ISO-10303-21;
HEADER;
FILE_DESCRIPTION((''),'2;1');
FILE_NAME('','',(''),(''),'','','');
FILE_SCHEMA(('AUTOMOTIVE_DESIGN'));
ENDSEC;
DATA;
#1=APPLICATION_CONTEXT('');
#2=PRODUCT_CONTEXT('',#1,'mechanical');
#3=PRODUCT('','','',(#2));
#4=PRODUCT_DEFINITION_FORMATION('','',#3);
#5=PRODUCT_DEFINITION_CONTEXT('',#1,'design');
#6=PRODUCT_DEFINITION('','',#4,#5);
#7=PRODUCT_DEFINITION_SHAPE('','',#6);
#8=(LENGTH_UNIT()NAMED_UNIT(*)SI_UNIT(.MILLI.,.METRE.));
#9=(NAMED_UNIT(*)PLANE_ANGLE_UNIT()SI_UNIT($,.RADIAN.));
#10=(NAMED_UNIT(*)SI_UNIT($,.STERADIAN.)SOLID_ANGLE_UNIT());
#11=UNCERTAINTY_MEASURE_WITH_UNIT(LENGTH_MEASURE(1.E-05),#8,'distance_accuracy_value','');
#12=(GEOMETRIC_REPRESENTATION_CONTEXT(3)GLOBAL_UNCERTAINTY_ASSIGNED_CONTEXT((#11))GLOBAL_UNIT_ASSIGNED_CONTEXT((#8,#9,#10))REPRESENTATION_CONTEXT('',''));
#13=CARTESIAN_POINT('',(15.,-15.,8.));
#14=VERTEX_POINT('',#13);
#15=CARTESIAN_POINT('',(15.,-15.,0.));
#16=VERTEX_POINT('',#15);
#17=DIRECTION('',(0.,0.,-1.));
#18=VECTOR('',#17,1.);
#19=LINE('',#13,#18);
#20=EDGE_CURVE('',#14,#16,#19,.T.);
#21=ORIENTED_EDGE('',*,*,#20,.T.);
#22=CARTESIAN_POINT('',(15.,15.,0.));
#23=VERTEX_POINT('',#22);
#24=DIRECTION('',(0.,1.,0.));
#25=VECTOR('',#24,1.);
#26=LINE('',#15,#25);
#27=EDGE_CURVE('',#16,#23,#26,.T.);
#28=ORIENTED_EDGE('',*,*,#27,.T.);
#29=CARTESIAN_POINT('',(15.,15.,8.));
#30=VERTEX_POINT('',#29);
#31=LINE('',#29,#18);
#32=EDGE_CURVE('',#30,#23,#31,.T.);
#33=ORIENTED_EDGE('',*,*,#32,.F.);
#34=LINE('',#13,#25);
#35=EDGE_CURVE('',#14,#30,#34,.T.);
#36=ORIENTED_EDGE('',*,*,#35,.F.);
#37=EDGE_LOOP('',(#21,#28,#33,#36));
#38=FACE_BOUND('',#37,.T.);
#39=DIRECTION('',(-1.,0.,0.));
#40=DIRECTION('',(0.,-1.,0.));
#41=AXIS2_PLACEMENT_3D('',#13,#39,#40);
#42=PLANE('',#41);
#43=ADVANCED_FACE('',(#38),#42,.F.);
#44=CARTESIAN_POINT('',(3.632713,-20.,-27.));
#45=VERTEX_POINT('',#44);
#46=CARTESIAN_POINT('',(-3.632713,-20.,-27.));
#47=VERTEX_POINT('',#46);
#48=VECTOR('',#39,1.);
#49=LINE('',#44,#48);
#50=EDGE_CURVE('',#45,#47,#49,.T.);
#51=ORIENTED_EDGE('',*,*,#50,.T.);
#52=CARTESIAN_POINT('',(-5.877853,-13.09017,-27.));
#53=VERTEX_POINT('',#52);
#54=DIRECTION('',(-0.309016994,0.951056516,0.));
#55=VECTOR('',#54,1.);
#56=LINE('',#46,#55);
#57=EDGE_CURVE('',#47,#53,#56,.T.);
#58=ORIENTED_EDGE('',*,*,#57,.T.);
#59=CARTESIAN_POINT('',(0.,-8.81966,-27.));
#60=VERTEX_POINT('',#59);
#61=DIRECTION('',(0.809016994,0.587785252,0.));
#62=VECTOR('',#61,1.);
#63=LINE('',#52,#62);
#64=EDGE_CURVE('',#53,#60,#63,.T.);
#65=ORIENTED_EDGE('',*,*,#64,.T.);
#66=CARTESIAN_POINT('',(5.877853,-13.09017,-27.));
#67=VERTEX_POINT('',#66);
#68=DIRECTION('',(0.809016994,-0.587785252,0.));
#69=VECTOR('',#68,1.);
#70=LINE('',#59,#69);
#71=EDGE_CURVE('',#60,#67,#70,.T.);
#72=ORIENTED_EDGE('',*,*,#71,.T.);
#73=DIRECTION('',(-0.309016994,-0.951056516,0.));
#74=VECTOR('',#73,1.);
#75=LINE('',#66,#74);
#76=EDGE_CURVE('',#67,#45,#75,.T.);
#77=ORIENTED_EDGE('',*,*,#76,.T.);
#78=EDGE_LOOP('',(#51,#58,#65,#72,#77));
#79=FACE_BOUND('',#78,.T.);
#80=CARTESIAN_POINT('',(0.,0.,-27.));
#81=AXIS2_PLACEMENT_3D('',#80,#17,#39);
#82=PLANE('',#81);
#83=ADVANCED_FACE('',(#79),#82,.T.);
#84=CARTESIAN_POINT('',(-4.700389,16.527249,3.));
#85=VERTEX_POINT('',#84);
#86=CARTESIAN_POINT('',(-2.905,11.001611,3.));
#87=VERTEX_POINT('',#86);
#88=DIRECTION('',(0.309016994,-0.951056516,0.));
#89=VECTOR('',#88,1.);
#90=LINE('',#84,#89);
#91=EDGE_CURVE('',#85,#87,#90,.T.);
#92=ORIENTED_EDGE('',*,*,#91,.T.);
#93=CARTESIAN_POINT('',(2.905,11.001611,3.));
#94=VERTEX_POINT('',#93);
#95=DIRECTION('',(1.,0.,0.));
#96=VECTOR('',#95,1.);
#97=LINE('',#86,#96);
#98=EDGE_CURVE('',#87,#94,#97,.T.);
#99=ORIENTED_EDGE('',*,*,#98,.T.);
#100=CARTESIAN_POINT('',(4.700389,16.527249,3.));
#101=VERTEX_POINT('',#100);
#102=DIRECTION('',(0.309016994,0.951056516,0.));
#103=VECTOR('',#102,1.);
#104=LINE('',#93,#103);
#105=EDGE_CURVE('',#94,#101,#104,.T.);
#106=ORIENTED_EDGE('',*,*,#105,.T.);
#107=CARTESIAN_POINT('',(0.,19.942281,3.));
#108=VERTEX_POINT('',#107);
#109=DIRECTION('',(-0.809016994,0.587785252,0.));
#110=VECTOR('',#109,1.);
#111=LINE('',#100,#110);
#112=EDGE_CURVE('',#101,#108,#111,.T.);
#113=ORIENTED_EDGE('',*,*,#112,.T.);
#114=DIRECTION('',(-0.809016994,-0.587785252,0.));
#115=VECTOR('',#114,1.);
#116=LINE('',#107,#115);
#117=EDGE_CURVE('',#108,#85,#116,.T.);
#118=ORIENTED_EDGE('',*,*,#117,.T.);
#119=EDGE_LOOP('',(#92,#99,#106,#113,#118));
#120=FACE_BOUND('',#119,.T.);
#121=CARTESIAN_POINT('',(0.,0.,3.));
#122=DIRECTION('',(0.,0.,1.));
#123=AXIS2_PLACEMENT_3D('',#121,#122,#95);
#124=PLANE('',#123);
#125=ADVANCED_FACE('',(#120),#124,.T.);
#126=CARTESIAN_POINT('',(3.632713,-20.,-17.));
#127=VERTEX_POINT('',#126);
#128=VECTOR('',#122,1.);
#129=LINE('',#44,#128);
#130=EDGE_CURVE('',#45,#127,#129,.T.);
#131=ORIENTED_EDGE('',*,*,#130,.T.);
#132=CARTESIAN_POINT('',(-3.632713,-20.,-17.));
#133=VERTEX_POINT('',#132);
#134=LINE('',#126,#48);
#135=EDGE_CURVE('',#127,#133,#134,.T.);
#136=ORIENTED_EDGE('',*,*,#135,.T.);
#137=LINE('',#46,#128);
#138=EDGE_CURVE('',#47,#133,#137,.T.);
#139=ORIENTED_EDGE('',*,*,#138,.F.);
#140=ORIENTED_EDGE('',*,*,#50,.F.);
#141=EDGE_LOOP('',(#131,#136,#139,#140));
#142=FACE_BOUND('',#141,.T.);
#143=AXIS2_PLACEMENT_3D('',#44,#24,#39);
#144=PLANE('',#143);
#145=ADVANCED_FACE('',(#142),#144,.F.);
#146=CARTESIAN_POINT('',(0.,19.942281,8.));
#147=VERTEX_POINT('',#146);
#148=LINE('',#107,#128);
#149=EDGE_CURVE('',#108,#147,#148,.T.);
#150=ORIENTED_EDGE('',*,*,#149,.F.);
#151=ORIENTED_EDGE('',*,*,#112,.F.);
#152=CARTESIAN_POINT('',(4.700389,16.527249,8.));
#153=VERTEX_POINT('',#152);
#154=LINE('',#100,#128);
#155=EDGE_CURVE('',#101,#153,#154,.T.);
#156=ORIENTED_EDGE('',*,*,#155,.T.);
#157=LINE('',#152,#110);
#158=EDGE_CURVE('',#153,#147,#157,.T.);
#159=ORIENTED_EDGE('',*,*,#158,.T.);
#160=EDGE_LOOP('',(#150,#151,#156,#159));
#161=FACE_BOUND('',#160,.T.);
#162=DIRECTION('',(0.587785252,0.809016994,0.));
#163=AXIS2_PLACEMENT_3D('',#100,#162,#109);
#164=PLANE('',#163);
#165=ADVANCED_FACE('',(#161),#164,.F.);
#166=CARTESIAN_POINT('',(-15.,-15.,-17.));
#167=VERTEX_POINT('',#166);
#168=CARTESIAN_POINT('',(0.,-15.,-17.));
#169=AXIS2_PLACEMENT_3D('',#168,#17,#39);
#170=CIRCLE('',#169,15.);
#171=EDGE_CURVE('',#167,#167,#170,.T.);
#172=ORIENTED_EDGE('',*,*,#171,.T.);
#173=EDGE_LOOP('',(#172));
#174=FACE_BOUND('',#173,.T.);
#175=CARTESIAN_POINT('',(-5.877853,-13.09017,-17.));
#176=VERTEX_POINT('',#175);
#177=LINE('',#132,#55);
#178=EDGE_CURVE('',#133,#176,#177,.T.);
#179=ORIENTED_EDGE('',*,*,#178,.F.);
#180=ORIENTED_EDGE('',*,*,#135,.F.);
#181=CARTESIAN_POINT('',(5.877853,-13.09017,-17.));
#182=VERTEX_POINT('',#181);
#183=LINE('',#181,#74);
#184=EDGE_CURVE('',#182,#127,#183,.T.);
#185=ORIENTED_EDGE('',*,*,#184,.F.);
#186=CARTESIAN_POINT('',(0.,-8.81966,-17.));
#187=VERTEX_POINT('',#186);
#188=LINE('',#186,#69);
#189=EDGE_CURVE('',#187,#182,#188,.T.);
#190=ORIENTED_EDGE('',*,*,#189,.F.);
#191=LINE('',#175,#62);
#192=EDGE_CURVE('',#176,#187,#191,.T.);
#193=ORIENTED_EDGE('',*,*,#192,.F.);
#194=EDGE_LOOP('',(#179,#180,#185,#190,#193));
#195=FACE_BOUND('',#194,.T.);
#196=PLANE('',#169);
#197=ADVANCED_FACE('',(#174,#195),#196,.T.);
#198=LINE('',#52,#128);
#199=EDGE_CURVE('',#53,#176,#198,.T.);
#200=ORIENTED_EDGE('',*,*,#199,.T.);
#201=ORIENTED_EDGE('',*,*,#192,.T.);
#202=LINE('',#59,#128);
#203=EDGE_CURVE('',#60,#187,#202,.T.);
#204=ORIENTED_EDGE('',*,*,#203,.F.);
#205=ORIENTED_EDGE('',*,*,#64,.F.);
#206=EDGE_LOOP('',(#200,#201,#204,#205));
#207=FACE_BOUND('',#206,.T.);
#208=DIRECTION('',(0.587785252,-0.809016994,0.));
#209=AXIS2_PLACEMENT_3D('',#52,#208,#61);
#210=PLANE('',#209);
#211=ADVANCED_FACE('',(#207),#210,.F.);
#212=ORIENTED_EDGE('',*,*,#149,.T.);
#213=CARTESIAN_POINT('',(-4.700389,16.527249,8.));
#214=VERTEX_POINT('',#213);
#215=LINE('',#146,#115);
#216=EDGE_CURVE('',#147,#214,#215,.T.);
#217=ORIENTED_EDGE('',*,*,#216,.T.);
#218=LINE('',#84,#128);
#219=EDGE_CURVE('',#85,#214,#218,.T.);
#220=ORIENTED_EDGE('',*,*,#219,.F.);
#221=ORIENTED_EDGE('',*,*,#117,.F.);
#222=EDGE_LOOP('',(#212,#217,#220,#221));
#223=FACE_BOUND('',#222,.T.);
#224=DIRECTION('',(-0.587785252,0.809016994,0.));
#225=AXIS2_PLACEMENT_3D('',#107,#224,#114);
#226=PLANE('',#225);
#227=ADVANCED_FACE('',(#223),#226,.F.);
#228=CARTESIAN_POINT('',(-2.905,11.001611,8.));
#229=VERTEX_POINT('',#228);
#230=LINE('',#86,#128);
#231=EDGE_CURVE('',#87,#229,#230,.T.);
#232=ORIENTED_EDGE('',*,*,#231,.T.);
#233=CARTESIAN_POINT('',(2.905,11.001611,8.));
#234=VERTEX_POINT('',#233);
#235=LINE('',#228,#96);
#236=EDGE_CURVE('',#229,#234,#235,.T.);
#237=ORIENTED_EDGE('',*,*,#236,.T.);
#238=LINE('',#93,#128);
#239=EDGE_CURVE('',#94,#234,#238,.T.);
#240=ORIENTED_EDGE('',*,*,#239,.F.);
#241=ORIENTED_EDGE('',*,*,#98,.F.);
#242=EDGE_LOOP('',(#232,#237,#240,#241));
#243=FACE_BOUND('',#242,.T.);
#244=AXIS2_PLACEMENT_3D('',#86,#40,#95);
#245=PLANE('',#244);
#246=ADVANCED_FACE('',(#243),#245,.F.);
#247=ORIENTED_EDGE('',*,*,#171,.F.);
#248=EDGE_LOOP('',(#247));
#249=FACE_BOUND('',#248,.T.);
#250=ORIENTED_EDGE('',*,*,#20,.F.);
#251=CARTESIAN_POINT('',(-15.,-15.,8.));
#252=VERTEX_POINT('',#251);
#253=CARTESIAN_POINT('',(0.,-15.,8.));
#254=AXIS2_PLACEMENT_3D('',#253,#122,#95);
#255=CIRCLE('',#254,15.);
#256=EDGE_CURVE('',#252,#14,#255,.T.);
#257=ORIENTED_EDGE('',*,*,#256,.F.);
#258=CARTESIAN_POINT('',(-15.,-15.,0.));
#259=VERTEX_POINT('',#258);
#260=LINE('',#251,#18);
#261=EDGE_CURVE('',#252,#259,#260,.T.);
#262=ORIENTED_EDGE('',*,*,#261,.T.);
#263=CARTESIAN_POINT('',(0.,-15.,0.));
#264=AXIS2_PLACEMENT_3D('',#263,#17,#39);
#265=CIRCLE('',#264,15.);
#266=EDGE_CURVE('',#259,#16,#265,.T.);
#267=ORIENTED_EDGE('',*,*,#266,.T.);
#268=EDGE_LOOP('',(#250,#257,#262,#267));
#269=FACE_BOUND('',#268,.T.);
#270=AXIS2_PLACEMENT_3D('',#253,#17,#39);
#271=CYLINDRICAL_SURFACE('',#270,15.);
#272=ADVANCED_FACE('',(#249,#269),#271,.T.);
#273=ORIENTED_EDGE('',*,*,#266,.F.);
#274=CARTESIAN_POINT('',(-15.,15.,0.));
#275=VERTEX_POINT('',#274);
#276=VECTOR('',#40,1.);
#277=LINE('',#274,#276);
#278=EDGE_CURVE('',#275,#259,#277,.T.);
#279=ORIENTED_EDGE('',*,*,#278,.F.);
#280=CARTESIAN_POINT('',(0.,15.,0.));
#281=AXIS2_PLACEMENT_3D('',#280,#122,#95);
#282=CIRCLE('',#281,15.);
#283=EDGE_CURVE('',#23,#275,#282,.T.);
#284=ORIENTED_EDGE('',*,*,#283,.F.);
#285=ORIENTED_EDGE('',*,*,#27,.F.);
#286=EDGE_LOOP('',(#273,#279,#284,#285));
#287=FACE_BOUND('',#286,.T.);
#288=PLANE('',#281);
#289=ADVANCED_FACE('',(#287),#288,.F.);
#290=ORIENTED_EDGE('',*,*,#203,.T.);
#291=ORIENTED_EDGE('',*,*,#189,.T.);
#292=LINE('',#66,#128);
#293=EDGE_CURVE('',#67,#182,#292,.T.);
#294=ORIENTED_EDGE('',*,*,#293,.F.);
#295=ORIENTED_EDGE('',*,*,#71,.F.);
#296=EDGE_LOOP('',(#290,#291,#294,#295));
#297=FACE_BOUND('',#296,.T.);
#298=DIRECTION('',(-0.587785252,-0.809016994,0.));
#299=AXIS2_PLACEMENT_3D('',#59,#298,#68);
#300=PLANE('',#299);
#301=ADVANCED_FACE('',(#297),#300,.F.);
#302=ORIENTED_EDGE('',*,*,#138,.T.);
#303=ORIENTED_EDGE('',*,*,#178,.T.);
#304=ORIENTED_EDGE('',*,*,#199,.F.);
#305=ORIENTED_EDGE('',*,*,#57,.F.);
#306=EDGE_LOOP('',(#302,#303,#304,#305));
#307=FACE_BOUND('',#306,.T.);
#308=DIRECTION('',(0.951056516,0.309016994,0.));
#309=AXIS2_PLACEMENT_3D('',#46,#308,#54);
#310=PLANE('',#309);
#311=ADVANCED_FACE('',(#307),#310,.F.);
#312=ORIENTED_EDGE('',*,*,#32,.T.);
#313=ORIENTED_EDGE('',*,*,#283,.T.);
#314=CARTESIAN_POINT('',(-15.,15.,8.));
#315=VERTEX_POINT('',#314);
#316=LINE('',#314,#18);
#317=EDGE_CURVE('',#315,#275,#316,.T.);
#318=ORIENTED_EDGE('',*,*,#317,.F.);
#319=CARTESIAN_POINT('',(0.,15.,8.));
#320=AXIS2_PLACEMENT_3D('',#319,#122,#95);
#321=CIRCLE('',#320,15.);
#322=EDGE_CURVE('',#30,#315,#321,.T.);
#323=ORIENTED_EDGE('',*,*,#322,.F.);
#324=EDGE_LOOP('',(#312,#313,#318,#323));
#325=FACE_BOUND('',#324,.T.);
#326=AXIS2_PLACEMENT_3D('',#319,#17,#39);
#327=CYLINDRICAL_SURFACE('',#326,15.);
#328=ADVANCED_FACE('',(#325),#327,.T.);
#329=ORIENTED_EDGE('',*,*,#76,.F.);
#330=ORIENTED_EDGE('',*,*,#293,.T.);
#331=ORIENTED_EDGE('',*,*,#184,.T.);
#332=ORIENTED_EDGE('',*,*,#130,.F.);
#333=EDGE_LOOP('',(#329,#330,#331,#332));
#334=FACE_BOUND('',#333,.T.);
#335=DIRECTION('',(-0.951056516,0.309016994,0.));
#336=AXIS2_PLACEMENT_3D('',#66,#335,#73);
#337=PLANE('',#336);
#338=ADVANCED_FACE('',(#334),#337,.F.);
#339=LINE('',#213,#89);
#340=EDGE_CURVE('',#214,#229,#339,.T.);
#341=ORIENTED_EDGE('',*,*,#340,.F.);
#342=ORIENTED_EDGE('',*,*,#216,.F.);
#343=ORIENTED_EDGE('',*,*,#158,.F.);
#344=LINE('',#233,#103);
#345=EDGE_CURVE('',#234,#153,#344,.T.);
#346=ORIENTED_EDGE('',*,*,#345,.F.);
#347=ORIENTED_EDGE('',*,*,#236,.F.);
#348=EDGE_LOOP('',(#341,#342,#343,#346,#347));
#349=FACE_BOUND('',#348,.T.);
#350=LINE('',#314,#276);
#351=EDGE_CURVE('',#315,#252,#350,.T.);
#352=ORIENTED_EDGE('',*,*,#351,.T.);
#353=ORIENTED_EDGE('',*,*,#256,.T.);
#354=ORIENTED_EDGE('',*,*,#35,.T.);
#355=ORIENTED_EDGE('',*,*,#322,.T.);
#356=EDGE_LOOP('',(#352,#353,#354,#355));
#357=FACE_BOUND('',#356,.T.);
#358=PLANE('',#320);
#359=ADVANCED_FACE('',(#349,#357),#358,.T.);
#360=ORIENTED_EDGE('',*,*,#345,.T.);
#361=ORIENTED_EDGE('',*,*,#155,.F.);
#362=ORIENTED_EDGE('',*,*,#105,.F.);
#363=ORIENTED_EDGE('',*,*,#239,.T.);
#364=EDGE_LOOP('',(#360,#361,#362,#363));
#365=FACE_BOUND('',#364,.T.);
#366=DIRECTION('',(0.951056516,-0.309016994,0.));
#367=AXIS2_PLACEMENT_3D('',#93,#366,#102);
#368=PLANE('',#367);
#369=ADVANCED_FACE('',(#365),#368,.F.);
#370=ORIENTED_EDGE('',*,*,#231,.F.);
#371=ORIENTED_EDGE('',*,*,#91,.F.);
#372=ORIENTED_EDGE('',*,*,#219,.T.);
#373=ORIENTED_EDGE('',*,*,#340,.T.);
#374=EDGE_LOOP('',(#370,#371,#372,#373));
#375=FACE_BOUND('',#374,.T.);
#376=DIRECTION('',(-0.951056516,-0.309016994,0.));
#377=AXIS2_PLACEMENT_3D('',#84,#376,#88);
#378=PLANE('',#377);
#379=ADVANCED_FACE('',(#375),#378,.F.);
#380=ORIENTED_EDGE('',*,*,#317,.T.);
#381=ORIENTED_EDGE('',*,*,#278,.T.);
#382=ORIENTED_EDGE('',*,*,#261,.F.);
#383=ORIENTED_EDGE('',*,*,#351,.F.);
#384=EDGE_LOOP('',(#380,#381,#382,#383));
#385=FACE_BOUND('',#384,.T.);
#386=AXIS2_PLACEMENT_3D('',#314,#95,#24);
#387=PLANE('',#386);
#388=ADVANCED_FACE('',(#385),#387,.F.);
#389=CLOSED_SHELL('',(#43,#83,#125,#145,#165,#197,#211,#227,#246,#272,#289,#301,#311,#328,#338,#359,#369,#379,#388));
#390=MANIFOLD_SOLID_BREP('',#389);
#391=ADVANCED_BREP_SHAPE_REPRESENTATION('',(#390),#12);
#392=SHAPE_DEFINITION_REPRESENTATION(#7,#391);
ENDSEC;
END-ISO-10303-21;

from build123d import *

# Parameters (mm, degrees)
EXTRUDE_1_DEPTH     = 8
CUT_EXTRUDE_1_DEPTH = 5
EXTRUDE_START       = 17
SKETCH_3_R          = 15
EXTRUDE_2_DEPTH     = 17
EXTRUDE_3_DEPTH     = 10


with BuildPart() as part:
    # 스케치1 → 보스-돌출1 (new body)
    with BuildSketch(Plane.XY):
        with BuildLine():
            Line((-15, 15), (-15, -15))
            ThreePointArc((-15, -15), (0, -30), (15, -15))
            Line((15, -15), (15, 15))
            ThreePointArc((15, 15), (0, 30), (-15, 15))
        make_face()
    extrude(amount=EXTRUDE_1_DEPTH)

    # 스케치2 → 컷-돌출1 (cut)
    with BuildSketch(Plane.XY.offset(8)):
        Polygon((0, 19.942281197), (-4.700388737, 16.527248881), (-2.905, 11.001610521), (2.905, 11.001610521), (4.700388737, 16.527248881), align=None)
    extrude(amount=-CUT_EXTRUDE_1_DEPTH, mode=Mode.SUBTRACT)

    # 스케치3 → 보스-돌출2 (add)
    with BuildSketch(Plane(origin=(0, 0, 0), x_dir=(-1, 0, 0), z_dir=(0, 0, -1)).offset(EXTRUDE_START)):
        with Locations((0, -15)):
            Circle(SKETCH_3_R)
    extrude(amount=-EXTRUDE_2_DEPTH)

    # 스케치4 → 보스-돌출3 (add)
    with BuildSketch(Plane(origin=(0, 0, -17), x_dir=(-1, 0, 0), z_dir=(0, 0, -1))):
        Polygon((0, -8.819660113), (-5.877852523, -13.090169944), (-3.63271264, -20), (3.63271264, -20), (5.877852523, -13.090169944), align=None)
    extrude(amount=EXTRUDE_3_DEPTH)


solid = part.part
